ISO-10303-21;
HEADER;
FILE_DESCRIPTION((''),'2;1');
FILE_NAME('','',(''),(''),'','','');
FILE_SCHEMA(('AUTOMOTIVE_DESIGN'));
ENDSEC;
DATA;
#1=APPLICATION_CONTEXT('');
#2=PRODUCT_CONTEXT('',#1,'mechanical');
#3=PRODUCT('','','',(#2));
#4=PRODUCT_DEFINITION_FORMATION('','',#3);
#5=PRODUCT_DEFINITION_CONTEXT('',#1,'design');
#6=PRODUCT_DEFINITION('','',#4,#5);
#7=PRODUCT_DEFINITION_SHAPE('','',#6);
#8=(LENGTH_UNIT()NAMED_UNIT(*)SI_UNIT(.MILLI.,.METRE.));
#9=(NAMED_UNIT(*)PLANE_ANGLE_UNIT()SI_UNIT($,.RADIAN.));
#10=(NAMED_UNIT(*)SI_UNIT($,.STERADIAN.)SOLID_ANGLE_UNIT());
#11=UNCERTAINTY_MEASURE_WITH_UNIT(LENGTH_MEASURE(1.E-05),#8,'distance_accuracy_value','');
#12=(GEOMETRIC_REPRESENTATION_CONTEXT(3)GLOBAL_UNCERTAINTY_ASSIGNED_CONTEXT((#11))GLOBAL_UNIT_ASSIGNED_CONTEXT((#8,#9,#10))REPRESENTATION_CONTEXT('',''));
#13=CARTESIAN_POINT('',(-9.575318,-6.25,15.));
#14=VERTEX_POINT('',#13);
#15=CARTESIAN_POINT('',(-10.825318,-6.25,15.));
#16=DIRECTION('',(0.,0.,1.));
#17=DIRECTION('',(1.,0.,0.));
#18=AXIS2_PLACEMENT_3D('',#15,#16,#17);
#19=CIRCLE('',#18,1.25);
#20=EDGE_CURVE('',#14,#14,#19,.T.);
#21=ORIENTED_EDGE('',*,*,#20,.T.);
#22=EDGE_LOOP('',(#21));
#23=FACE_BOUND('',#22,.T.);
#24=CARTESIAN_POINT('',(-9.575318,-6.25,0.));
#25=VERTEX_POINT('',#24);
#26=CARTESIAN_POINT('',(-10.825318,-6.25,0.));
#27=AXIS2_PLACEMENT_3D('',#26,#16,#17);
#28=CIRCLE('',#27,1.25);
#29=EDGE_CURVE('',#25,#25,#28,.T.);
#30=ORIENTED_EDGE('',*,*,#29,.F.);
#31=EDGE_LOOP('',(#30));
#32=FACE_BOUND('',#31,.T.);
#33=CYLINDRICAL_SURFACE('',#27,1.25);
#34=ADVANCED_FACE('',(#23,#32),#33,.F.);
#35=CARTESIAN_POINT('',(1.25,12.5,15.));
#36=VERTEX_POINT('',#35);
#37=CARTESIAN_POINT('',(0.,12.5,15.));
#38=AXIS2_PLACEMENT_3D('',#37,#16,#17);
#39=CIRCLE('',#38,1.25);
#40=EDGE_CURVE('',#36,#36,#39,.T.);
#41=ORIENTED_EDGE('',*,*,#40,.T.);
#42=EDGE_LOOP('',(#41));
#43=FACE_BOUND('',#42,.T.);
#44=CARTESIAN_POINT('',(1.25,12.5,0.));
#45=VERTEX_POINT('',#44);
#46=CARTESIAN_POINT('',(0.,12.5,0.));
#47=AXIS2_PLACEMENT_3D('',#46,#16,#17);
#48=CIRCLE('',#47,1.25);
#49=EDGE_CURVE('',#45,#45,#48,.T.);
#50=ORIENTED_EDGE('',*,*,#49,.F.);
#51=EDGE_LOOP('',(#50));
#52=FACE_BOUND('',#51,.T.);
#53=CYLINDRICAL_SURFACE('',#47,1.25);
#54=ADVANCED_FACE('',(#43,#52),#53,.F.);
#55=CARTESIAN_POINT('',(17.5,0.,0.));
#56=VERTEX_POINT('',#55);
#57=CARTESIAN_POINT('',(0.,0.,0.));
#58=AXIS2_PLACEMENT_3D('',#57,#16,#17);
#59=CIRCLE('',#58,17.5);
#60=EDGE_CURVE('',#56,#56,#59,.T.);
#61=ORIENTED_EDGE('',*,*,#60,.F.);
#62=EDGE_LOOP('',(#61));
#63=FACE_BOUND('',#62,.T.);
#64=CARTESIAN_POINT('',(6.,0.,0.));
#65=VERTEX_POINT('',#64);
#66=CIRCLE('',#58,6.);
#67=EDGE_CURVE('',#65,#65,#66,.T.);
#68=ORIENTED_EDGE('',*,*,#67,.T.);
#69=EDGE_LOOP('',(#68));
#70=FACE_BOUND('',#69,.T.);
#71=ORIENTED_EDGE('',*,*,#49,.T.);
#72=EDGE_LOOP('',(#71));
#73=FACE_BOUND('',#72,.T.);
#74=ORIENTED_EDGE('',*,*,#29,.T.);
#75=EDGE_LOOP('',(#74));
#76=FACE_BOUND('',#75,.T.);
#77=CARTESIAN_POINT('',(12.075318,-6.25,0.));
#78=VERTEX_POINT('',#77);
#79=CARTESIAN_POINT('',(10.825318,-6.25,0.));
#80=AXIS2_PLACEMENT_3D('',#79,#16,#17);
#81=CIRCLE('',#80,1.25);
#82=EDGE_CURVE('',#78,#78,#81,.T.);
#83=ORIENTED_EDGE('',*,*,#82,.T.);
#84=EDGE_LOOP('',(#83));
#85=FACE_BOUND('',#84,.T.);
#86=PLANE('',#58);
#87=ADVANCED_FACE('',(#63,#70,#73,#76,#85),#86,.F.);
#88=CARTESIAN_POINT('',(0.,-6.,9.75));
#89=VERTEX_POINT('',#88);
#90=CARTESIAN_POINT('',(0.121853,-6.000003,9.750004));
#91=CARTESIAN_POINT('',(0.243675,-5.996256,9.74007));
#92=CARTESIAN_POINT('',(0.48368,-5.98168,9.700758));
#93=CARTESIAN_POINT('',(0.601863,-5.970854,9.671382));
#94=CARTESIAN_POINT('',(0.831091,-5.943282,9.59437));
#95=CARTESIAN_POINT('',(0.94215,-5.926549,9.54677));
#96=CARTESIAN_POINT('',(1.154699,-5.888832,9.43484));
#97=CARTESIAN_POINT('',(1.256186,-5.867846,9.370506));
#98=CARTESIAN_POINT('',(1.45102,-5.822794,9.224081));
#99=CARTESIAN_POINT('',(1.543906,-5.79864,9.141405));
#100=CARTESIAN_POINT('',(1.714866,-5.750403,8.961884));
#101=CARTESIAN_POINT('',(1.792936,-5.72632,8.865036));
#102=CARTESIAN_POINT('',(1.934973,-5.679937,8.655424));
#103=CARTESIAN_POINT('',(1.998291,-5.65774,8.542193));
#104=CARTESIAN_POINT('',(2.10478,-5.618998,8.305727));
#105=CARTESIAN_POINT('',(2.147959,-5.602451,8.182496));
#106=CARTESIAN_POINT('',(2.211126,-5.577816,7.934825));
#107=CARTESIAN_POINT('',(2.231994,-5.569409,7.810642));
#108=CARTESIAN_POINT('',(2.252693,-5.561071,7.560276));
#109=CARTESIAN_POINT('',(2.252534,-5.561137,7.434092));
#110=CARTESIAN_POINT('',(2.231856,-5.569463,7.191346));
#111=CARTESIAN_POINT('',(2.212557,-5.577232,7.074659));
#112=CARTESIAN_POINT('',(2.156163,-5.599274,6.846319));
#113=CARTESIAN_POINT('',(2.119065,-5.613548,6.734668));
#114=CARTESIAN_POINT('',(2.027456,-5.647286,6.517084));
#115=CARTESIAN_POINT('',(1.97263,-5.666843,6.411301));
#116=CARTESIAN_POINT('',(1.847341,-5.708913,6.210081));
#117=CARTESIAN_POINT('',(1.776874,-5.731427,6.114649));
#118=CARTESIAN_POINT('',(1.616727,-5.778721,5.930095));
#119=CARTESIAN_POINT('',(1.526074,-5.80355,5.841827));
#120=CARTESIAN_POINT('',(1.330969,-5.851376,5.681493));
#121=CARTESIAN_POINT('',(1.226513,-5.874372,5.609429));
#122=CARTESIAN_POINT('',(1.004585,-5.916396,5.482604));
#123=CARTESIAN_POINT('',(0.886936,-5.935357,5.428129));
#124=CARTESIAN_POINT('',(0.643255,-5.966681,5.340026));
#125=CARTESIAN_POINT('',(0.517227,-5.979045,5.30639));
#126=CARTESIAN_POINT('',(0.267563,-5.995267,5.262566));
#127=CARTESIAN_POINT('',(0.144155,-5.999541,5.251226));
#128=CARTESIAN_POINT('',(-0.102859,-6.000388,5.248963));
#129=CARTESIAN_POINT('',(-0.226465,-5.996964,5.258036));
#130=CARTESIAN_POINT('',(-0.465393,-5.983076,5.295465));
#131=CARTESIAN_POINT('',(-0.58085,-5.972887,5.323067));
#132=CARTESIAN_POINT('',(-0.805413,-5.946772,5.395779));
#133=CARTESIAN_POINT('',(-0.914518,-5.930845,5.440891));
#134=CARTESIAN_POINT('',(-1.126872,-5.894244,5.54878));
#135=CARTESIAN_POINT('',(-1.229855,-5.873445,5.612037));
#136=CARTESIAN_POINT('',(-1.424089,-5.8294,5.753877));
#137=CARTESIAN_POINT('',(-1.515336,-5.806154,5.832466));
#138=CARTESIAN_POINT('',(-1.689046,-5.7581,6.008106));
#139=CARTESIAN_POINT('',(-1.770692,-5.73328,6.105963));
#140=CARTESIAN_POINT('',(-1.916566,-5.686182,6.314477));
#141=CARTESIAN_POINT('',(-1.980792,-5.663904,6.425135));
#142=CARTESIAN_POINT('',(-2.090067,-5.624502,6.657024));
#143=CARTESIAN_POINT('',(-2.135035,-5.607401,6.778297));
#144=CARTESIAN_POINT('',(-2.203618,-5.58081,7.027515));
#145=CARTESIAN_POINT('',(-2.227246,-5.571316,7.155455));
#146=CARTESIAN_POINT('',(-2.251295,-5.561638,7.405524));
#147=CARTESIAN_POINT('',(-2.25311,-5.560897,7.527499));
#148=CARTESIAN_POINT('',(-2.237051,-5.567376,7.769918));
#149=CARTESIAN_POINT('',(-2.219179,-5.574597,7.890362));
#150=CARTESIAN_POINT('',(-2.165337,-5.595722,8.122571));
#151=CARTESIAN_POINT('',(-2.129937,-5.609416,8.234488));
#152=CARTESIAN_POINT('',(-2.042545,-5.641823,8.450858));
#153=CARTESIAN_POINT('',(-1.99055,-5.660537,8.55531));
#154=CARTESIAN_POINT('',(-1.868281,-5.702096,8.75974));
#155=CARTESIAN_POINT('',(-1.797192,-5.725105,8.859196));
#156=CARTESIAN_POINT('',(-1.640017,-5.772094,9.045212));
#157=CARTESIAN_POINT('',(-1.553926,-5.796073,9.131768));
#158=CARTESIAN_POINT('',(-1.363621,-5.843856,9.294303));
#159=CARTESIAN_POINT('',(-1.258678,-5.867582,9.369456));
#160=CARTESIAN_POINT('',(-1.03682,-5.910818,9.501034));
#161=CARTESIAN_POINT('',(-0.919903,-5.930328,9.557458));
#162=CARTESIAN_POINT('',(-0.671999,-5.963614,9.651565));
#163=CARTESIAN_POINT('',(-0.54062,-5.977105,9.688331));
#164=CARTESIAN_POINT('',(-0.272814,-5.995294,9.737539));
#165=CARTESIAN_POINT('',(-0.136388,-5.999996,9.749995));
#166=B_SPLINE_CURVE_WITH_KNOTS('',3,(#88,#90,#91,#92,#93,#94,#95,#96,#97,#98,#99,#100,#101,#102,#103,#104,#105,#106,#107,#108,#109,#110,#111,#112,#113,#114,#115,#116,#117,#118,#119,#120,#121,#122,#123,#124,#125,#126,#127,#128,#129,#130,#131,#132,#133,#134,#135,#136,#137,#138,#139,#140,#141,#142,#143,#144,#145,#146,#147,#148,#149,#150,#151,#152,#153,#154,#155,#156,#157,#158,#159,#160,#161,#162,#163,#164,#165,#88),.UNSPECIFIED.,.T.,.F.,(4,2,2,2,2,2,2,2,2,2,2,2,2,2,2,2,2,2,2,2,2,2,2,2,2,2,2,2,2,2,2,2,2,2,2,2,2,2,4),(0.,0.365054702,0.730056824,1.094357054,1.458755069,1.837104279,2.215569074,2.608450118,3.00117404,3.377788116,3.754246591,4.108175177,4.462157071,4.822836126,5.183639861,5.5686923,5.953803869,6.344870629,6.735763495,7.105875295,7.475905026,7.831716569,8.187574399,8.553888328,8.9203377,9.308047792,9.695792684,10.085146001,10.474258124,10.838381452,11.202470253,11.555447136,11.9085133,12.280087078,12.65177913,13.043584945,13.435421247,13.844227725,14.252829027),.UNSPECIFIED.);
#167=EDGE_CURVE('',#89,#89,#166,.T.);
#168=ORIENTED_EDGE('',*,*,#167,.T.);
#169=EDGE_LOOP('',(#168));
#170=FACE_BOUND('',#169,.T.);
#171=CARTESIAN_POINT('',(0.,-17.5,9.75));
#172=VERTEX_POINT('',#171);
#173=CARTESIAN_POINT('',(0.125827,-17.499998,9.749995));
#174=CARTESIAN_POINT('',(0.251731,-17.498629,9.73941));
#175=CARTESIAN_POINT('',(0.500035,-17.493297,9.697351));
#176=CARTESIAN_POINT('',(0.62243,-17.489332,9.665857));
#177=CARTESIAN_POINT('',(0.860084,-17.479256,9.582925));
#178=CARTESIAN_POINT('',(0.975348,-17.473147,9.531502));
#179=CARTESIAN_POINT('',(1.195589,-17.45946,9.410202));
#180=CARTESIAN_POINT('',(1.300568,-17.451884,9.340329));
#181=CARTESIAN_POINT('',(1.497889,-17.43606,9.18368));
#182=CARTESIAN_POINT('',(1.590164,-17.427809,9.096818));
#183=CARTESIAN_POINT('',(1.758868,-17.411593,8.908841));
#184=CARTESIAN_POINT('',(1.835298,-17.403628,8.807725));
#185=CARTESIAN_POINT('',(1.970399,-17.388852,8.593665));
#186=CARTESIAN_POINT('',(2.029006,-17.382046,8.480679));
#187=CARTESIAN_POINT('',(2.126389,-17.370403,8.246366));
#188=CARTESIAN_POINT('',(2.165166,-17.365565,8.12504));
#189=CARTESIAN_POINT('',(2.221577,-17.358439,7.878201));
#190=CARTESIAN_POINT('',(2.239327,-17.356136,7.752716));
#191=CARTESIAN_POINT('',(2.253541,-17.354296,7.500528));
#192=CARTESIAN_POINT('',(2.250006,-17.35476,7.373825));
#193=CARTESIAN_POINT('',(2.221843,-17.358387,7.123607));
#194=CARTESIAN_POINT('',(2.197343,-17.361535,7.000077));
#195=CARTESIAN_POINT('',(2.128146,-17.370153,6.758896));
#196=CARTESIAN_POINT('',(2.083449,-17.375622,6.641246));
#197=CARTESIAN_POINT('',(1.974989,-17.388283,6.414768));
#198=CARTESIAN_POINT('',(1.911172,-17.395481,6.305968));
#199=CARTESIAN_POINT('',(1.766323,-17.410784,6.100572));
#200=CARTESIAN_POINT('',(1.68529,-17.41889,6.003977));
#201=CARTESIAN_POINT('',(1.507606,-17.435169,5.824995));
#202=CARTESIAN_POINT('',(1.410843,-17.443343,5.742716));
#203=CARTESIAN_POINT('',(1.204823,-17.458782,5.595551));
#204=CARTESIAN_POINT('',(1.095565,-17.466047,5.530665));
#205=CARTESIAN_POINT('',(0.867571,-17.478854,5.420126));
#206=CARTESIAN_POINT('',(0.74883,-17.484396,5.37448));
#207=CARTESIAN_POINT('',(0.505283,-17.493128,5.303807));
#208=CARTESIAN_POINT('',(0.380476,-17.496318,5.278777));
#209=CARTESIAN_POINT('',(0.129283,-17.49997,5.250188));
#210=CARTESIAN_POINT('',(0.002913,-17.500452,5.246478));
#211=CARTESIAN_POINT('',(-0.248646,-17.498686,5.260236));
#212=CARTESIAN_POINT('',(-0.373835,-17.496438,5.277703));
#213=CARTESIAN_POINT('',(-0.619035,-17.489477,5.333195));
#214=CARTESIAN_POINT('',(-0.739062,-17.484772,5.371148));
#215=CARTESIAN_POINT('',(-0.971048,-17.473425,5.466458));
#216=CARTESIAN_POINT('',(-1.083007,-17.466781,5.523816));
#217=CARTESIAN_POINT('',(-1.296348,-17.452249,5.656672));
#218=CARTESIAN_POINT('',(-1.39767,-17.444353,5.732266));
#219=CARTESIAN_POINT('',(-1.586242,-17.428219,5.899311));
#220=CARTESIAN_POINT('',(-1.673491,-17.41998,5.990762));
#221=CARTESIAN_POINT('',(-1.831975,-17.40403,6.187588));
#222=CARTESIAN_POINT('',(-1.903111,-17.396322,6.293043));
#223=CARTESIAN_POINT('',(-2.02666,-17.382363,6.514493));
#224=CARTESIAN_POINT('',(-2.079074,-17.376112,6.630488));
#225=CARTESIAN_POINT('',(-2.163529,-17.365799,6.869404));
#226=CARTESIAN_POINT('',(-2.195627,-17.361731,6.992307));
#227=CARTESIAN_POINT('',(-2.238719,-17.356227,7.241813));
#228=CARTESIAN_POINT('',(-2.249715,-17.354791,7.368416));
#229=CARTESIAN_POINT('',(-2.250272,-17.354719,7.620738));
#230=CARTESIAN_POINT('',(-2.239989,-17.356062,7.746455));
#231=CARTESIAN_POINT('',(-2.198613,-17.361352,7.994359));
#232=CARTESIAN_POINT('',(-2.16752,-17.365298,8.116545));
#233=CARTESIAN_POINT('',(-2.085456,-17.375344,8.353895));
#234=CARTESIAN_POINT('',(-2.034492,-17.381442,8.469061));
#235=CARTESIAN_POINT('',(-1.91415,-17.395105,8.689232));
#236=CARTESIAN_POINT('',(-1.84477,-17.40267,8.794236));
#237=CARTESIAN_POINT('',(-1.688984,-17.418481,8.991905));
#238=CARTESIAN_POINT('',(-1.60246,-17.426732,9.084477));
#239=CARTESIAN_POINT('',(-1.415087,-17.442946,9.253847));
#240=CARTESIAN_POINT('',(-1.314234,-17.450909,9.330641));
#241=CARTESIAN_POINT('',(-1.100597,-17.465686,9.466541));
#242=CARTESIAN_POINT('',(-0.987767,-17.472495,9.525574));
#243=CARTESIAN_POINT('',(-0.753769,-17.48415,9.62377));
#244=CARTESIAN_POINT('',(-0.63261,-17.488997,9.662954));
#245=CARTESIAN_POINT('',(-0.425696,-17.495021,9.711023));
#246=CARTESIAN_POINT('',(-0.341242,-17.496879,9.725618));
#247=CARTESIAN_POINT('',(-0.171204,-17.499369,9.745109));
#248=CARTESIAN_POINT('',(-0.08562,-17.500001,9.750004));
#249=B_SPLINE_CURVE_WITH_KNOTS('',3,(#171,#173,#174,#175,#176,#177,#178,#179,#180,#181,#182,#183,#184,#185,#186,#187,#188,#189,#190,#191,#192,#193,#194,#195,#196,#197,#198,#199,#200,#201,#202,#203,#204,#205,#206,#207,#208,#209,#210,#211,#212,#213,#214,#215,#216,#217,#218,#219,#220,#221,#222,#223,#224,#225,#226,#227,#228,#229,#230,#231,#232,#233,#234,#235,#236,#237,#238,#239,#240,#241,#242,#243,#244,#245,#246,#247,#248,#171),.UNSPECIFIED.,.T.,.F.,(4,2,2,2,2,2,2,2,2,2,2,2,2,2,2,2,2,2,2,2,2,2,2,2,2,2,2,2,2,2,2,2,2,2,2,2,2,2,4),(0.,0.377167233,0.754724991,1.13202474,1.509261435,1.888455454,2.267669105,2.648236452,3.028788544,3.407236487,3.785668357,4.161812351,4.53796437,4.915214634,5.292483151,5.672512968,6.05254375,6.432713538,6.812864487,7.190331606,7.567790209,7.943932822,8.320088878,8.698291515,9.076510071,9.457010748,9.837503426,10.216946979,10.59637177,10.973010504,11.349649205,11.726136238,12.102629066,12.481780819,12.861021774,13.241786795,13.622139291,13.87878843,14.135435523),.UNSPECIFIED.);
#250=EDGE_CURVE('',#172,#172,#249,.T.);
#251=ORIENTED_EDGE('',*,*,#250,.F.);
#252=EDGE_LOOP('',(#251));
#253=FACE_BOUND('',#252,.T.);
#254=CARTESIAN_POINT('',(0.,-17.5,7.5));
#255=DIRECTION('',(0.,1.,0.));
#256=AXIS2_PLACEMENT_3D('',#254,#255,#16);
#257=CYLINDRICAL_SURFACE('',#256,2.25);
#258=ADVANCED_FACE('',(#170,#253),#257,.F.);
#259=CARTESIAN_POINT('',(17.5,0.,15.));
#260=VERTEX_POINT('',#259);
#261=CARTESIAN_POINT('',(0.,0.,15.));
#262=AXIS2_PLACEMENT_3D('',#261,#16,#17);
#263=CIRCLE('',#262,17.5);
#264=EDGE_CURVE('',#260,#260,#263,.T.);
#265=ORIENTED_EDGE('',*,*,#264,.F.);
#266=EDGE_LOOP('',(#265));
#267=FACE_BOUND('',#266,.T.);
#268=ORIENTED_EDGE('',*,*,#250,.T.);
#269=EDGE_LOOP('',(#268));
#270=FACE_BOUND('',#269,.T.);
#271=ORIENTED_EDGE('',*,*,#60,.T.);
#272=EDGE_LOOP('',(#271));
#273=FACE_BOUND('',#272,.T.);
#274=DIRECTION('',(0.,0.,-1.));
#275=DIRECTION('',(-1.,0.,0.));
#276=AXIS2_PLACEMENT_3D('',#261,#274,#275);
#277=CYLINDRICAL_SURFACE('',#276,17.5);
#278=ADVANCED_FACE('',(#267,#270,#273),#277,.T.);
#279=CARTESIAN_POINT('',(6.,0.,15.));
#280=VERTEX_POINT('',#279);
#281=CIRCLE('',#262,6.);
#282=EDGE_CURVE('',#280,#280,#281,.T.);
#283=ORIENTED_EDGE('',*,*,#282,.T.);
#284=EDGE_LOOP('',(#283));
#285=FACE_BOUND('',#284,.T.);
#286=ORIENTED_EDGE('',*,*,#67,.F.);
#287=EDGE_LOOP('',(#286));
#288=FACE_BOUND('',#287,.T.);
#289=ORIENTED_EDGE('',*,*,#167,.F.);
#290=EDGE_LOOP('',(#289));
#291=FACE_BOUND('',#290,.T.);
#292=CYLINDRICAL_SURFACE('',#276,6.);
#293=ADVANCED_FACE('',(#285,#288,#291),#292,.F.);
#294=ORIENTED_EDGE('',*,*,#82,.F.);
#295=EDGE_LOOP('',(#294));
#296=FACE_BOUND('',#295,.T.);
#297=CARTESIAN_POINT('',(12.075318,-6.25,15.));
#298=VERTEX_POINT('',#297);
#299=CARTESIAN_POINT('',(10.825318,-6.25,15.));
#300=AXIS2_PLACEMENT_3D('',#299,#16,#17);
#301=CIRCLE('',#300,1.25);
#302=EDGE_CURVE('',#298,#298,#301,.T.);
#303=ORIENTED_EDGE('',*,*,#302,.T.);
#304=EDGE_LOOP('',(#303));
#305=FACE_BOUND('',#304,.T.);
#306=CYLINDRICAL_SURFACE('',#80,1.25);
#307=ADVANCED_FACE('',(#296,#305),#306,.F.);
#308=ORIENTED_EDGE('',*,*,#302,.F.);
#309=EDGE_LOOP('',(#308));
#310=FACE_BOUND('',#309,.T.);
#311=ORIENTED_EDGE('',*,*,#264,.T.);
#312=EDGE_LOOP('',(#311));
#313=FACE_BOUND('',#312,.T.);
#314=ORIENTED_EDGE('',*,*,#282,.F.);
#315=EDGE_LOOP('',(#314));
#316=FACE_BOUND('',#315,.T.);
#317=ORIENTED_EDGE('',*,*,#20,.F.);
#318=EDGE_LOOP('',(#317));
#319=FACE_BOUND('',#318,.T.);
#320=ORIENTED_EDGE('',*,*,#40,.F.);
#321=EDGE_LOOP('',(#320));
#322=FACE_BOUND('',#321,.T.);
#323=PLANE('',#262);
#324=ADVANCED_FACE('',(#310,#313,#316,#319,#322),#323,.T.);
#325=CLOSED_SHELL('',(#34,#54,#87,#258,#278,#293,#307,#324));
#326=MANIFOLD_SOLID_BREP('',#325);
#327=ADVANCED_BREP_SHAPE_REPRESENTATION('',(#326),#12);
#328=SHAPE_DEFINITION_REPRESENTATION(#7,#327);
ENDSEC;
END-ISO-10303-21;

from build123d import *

# Parameters (mm, degrees)
SKETCH1_R           = 17.5
SKETCH1_R_2         = 6
BOSS_EXTRUDE1_DEPTH = 15
SKETCH2_R           = 2.25
CUT_EXTRUDE1_DEPTH  = 29.939592257
SKETCH3_R           = 1.25
CUT_EXTRUDE2_DEPTH  = 29.93959243


with BuildPart() as part:
    # Sketch1 → Boss-Extrude1 (new body)
    with BuildSketch(Plane.XY):
        Circle(SKETCH1_R)
        Circle(SKETCH1_R_2, mode=Mode.SUBTRACT)
    extrude(amount=BOSS_EXTRUDE1_DEPTH)

    # Sketch2 → Cut-Extrude1 (cut, through all)
    with BuildSketch(Plane(origin=(0, 0, 0), x_dir=(1, 0, 0), z_dir=(0, 1, 0))):
        with Locations(Location((0, -7.5, 0), (0, 0, 270))):
            Circle(SKETCH2_R)
    extrude(amount=-CUT_EXTRUDE1_DEPTH, mode=Mode.SUBTRACT)

    # Sketch3 → Cut-Extrude2 (cut, through all)
    with BuildSketch(Plane.XY.offset(15)):
        with Locations((0, 12.5)):
            Circle(SKETCH3_R)
        with Locations((10.825317547, -6.25)):
            Circle(SKETCH3_R)
        with Locations((-10.825317547, -6.25)):
            Circle(SKETCH3_R)
    extrude(amount=-CUT_EXTRUDE2_DEPTH, mode=Mode.SUBTRACT)


solid = part.part
